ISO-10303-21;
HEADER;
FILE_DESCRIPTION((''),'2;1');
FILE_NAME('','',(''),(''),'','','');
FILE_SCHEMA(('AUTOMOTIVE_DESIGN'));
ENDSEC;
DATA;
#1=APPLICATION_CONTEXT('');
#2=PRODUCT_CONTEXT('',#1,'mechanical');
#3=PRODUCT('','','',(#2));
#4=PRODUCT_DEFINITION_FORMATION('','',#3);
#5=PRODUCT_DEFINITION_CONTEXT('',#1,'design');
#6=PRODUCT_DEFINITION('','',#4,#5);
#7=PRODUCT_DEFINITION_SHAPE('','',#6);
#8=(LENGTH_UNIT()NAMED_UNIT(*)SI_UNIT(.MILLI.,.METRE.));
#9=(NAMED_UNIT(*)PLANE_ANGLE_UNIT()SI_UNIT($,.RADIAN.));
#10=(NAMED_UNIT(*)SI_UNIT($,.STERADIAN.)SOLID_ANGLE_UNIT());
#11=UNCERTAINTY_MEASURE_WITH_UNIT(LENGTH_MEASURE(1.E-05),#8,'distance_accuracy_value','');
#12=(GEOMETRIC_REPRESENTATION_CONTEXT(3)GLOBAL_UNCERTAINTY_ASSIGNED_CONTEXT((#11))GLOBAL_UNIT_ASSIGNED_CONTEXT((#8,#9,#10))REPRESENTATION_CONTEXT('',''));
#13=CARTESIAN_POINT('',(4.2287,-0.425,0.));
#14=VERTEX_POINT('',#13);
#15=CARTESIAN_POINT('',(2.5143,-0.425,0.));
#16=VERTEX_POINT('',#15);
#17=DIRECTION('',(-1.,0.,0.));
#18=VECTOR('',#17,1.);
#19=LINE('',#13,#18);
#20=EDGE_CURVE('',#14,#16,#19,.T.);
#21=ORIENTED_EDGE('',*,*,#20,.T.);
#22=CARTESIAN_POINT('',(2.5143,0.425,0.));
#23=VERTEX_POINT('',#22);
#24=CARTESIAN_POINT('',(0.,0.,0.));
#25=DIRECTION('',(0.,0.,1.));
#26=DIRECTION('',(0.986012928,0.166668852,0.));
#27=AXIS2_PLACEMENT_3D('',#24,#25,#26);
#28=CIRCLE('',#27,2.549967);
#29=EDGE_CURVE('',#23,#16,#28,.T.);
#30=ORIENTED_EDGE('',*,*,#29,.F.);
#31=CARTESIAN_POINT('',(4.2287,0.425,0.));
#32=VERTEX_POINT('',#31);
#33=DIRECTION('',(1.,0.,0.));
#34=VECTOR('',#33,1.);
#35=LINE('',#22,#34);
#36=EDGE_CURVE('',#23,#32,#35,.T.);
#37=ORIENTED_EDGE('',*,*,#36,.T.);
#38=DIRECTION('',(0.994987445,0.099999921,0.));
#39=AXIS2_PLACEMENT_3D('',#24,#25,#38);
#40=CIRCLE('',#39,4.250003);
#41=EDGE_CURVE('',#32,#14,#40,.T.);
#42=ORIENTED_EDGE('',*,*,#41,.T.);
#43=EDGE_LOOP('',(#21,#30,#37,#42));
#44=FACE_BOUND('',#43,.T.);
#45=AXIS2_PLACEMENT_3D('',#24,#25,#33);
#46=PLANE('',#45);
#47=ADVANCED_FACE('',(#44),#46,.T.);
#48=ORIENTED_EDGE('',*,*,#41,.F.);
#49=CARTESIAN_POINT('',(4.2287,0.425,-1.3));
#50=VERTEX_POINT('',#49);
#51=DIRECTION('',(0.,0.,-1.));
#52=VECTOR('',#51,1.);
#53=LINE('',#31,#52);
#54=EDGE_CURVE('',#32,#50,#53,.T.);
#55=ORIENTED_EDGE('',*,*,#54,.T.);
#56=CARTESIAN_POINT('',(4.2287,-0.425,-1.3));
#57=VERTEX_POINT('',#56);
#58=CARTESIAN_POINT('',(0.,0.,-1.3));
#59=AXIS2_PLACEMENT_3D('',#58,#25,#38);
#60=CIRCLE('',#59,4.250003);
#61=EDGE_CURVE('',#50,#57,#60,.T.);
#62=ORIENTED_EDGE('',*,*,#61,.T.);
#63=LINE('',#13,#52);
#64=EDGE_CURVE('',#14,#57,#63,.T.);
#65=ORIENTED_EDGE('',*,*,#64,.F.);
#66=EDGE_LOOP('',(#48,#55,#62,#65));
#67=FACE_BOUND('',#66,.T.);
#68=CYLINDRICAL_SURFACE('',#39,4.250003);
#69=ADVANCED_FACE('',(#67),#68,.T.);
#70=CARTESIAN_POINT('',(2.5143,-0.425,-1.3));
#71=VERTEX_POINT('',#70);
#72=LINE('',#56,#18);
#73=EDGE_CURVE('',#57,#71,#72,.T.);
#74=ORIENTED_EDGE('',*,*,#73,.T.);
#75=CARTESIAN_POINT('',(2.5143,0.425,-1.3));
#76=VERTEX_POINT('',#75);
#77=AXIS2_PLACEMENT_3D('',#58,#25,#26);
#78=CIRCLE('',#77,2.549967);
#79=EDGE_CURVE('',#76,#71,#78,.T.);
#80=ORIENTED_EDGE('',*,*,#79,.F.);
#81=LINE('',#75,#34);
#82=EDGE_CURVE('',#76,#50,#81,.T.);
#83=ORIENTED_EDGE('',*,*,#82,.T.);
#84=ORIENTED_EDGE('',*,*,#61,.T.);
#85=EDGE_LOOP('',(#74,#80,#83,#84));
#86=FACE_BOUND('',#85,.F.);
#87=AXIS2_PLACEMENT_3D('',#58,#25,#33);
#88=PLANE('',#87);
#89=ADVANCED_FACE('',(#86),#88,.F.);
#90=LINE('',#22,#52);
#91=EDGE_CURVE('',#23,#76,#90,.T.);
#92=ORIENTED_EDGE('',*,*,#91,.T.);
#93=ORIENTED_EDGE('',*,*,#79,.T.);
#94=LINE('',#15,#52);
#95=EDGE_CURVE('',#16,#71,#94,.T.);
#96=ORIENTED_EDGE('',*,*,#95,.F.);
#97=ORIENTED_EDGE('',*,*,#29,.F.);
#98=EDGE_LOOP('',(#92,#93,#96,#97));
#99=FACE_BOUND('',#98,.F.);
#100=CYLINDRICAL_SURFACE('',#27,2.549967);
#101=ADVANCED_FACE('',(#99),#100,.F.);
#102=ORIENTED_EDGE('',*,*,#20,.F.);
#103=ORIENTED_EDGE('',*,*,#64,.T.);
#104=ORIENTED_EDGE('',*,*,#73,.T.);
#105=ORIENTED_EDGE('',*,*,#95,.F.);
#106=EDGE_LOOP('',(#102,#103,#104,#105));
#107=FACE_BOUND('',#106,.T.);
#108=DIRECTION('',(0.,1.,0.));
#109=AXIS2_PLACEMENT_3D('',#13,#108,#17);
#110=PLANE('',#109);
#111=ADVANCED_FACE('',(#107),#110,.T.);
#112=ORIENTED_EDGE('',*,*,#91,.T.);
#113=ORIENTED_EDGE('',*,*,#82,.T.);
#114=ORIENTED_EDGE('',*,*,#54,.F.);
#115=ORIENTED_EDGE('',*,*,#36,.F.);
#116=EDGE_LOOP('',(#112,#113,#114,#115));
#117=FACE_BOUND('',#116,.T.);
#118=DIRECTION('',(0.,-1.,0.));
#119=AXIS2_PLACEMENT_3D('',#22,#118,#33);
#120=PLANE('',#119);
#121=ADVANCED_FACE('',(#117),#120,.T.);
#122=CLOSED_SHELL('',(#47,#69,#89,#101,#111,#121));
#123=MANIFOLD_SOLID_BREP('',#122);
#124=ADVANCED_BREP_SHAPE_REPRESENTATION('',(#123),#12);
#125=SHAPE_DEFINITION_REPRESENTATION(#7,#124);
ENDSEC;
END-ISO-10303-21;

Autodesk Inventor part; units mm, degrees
sketch "Sketch_1" plane through (0, 0, 0) normal (0, 0, 1) x (1, 0, 0)
  arc A0 (4.2287, 0.425) -> (4.2287, -0.425) centre (0, 0) ccw
  line L0 (4.2287, -0.425) -> (2.5143, -0.425)
  arc A1 (2.5143, 0.425) -> (2.5143, -0.425) centre (0, 0) ccw
  line L1 (2.5143, 0.425) -> (4.2287, 0.425)
extrude "Extrusion1" add sketch "Sketch_1" against normal blind 1.3
ref_plane "spring_washer_to_bolt_XY" through (0, 0, 0) normal (0, 0, 1) x (1, 0, 0)
ref_plane "spring_washer_to_bolt_YZ" through (0, 0, 0) normal (1, 0, 0) x (0, 1, 0)
ref_plane "spring_washer_to_bolt_ZX" through (0, 0, 0) normal (0, 1, 0) x (0, 0, 1)
ref_plane "spring_washer_to_washer_XY" through (0, 0, -1.3) normal (0, 0, 1) x (1, 0, 0)
ref_plane "spring_washer_to_washer_YZ" through (0, 0, -1.3) normal (1, 0, 0) x (0, 1, 0)
ref_plane "spring_washer_to_washer_ZX" through (0, 0, -1.3) normal (0, 1, 0) x (0, 0, 1)
properties part number "HCBST5_w1"
